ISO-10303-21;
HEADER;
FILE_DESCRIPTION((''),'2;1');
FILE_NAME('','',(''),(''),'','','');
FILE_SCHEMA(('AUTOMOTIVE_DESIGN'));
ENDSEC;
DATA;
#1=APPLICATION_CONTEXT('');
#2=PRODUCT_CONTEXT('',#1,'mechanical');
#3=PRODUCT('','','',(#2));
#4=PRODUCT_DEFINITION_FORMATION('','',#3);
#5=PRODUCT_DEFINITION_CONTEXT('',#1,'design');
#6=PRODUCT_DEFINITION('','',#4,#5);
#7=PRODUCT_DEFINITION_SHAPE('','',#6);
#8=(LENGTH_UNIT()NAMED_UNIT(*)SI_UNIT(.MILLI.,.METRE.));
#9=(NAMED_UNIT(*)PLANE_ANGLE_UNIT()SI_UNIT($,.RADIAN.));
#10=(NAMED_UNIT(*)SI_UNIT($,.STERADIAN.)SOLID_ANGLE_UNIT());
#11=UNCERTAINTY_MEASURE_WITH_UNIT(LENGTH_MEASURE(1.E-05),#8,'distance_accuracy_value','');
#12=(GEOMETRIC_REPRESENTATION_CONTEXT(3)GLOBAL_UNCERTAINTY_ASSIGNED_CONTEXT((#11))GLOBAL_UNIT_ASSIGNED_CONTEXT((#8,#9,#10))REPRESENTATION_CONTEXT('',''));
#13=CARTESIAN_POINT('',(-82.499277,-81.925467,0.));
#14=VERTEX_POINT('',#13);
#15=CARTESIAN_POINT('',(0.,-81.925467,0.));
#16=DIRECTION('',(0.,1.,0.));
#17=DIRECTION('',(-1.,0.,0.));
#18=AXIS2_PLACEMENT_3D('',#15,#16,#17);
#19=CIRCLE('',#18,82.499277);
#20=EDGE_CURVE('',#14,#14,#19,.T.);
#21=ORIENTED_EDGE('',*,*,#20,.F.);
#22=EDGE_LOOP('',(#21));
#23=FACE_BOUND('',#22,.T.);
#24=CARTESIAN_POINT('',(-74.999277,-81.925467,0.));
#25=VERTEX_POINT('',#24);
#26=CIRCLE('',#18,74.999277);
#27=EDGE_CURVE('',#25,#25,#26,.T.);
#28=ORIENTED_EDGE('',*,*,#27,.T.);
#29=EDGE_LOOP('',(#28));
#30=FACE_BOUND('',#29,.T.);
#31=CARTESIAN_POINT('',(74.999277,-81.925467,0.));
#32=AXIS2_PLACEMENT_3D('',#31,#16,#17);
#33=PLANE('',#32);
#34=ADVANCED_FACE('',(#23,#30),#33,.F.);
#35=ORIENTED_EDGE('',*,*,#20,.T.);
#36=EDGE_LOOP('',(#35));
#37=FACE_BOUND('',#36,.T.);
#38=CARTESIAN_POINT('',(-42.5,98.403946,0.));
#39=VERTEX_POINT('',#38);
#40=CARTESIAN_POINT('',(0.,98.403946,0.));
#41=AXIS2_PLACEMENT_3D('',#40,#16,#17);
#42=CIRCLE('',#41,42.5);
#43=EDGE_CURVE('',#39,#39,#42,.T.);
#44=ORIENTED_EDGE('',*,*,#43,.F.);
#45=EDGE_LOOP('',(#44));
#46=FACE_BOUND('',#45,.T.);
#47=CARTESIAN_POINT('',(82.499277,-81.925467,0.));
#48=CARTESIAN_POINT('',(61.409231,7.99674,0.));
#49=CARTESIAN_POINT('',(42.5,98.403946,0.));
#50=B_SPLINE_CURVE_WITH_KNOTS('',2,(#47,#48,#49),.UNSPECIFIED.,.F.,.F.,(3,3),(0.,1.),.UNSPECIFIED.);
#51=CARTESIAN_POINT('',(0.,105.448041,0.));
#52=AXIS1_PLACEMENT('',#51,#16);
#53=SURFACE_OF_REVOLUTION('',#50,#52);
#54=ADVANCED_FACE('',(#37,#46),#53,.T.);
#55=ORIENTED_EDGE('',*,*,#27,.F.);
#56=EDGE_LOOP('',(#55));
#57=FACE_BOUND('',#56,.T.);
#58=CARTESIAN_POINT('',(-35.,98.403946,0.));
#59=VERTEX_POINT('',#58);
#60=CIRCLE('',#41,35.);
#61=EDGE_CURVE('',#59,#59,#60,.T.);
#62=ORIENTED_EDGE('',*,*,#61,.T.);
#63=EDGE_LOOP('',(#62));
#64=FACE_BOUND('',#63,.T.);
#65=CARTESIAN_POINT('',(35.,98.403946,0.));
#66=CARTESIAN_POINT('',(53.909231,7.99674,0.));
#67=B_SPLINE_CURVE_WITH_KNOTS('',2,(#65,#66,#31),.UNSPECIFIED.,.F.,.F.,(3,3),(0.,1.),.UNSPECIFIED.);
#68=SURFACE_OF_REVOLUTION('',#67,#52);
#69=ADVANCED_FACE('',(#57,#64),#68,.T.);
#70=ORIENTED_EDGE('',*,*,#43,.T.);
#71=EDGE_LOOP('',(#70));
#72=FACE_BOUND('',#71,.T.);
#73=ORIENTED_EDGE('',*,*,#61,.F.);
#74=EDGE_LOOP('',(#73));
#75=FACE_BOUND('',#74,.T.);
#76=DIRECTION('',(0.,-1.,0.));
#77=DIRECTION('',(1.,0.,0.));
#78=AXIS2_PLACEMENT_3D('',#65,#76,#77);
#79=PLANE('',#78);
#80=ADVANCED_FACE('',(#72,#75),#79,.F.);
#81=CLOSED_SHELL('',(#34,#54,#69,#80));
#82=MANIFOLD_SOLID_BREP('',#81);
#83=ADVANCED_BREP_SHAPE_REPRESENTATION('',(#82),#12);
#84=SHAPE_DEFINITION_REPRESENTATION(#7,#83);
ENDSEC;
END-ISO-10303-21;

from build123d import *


with BuildPart() as part:
    # Sketch2 → Revolve1 (revolve)
    with BuildSketch(Plane.XY):
        with BuildLine():
            Line((35, 98.40394622), (42.5, 98.40394622))
            add(Edge.make_bspline(
                [(42.5, 98.40394622), (61.409230546, 7.99674), (82.499276575, -81.925467332)],
                knots=[0, 0, 0, 1, 1, 1], degree=2))
            Line((82.499276575, -81.925467332), (74.999276575, -81.925467332))
            add(Edge.make_bspline(
                [(35, 98.40394622), (53.909230546, 7.99674), (74.999276575, -81.925467332)],
                knots=[0, 0, 0, 1, 1, 1], degree=2))
        make_face()
    revolve(axis=Axis((0, 105.448040777, 0), (0, -1, 0)))


solid = part.part
